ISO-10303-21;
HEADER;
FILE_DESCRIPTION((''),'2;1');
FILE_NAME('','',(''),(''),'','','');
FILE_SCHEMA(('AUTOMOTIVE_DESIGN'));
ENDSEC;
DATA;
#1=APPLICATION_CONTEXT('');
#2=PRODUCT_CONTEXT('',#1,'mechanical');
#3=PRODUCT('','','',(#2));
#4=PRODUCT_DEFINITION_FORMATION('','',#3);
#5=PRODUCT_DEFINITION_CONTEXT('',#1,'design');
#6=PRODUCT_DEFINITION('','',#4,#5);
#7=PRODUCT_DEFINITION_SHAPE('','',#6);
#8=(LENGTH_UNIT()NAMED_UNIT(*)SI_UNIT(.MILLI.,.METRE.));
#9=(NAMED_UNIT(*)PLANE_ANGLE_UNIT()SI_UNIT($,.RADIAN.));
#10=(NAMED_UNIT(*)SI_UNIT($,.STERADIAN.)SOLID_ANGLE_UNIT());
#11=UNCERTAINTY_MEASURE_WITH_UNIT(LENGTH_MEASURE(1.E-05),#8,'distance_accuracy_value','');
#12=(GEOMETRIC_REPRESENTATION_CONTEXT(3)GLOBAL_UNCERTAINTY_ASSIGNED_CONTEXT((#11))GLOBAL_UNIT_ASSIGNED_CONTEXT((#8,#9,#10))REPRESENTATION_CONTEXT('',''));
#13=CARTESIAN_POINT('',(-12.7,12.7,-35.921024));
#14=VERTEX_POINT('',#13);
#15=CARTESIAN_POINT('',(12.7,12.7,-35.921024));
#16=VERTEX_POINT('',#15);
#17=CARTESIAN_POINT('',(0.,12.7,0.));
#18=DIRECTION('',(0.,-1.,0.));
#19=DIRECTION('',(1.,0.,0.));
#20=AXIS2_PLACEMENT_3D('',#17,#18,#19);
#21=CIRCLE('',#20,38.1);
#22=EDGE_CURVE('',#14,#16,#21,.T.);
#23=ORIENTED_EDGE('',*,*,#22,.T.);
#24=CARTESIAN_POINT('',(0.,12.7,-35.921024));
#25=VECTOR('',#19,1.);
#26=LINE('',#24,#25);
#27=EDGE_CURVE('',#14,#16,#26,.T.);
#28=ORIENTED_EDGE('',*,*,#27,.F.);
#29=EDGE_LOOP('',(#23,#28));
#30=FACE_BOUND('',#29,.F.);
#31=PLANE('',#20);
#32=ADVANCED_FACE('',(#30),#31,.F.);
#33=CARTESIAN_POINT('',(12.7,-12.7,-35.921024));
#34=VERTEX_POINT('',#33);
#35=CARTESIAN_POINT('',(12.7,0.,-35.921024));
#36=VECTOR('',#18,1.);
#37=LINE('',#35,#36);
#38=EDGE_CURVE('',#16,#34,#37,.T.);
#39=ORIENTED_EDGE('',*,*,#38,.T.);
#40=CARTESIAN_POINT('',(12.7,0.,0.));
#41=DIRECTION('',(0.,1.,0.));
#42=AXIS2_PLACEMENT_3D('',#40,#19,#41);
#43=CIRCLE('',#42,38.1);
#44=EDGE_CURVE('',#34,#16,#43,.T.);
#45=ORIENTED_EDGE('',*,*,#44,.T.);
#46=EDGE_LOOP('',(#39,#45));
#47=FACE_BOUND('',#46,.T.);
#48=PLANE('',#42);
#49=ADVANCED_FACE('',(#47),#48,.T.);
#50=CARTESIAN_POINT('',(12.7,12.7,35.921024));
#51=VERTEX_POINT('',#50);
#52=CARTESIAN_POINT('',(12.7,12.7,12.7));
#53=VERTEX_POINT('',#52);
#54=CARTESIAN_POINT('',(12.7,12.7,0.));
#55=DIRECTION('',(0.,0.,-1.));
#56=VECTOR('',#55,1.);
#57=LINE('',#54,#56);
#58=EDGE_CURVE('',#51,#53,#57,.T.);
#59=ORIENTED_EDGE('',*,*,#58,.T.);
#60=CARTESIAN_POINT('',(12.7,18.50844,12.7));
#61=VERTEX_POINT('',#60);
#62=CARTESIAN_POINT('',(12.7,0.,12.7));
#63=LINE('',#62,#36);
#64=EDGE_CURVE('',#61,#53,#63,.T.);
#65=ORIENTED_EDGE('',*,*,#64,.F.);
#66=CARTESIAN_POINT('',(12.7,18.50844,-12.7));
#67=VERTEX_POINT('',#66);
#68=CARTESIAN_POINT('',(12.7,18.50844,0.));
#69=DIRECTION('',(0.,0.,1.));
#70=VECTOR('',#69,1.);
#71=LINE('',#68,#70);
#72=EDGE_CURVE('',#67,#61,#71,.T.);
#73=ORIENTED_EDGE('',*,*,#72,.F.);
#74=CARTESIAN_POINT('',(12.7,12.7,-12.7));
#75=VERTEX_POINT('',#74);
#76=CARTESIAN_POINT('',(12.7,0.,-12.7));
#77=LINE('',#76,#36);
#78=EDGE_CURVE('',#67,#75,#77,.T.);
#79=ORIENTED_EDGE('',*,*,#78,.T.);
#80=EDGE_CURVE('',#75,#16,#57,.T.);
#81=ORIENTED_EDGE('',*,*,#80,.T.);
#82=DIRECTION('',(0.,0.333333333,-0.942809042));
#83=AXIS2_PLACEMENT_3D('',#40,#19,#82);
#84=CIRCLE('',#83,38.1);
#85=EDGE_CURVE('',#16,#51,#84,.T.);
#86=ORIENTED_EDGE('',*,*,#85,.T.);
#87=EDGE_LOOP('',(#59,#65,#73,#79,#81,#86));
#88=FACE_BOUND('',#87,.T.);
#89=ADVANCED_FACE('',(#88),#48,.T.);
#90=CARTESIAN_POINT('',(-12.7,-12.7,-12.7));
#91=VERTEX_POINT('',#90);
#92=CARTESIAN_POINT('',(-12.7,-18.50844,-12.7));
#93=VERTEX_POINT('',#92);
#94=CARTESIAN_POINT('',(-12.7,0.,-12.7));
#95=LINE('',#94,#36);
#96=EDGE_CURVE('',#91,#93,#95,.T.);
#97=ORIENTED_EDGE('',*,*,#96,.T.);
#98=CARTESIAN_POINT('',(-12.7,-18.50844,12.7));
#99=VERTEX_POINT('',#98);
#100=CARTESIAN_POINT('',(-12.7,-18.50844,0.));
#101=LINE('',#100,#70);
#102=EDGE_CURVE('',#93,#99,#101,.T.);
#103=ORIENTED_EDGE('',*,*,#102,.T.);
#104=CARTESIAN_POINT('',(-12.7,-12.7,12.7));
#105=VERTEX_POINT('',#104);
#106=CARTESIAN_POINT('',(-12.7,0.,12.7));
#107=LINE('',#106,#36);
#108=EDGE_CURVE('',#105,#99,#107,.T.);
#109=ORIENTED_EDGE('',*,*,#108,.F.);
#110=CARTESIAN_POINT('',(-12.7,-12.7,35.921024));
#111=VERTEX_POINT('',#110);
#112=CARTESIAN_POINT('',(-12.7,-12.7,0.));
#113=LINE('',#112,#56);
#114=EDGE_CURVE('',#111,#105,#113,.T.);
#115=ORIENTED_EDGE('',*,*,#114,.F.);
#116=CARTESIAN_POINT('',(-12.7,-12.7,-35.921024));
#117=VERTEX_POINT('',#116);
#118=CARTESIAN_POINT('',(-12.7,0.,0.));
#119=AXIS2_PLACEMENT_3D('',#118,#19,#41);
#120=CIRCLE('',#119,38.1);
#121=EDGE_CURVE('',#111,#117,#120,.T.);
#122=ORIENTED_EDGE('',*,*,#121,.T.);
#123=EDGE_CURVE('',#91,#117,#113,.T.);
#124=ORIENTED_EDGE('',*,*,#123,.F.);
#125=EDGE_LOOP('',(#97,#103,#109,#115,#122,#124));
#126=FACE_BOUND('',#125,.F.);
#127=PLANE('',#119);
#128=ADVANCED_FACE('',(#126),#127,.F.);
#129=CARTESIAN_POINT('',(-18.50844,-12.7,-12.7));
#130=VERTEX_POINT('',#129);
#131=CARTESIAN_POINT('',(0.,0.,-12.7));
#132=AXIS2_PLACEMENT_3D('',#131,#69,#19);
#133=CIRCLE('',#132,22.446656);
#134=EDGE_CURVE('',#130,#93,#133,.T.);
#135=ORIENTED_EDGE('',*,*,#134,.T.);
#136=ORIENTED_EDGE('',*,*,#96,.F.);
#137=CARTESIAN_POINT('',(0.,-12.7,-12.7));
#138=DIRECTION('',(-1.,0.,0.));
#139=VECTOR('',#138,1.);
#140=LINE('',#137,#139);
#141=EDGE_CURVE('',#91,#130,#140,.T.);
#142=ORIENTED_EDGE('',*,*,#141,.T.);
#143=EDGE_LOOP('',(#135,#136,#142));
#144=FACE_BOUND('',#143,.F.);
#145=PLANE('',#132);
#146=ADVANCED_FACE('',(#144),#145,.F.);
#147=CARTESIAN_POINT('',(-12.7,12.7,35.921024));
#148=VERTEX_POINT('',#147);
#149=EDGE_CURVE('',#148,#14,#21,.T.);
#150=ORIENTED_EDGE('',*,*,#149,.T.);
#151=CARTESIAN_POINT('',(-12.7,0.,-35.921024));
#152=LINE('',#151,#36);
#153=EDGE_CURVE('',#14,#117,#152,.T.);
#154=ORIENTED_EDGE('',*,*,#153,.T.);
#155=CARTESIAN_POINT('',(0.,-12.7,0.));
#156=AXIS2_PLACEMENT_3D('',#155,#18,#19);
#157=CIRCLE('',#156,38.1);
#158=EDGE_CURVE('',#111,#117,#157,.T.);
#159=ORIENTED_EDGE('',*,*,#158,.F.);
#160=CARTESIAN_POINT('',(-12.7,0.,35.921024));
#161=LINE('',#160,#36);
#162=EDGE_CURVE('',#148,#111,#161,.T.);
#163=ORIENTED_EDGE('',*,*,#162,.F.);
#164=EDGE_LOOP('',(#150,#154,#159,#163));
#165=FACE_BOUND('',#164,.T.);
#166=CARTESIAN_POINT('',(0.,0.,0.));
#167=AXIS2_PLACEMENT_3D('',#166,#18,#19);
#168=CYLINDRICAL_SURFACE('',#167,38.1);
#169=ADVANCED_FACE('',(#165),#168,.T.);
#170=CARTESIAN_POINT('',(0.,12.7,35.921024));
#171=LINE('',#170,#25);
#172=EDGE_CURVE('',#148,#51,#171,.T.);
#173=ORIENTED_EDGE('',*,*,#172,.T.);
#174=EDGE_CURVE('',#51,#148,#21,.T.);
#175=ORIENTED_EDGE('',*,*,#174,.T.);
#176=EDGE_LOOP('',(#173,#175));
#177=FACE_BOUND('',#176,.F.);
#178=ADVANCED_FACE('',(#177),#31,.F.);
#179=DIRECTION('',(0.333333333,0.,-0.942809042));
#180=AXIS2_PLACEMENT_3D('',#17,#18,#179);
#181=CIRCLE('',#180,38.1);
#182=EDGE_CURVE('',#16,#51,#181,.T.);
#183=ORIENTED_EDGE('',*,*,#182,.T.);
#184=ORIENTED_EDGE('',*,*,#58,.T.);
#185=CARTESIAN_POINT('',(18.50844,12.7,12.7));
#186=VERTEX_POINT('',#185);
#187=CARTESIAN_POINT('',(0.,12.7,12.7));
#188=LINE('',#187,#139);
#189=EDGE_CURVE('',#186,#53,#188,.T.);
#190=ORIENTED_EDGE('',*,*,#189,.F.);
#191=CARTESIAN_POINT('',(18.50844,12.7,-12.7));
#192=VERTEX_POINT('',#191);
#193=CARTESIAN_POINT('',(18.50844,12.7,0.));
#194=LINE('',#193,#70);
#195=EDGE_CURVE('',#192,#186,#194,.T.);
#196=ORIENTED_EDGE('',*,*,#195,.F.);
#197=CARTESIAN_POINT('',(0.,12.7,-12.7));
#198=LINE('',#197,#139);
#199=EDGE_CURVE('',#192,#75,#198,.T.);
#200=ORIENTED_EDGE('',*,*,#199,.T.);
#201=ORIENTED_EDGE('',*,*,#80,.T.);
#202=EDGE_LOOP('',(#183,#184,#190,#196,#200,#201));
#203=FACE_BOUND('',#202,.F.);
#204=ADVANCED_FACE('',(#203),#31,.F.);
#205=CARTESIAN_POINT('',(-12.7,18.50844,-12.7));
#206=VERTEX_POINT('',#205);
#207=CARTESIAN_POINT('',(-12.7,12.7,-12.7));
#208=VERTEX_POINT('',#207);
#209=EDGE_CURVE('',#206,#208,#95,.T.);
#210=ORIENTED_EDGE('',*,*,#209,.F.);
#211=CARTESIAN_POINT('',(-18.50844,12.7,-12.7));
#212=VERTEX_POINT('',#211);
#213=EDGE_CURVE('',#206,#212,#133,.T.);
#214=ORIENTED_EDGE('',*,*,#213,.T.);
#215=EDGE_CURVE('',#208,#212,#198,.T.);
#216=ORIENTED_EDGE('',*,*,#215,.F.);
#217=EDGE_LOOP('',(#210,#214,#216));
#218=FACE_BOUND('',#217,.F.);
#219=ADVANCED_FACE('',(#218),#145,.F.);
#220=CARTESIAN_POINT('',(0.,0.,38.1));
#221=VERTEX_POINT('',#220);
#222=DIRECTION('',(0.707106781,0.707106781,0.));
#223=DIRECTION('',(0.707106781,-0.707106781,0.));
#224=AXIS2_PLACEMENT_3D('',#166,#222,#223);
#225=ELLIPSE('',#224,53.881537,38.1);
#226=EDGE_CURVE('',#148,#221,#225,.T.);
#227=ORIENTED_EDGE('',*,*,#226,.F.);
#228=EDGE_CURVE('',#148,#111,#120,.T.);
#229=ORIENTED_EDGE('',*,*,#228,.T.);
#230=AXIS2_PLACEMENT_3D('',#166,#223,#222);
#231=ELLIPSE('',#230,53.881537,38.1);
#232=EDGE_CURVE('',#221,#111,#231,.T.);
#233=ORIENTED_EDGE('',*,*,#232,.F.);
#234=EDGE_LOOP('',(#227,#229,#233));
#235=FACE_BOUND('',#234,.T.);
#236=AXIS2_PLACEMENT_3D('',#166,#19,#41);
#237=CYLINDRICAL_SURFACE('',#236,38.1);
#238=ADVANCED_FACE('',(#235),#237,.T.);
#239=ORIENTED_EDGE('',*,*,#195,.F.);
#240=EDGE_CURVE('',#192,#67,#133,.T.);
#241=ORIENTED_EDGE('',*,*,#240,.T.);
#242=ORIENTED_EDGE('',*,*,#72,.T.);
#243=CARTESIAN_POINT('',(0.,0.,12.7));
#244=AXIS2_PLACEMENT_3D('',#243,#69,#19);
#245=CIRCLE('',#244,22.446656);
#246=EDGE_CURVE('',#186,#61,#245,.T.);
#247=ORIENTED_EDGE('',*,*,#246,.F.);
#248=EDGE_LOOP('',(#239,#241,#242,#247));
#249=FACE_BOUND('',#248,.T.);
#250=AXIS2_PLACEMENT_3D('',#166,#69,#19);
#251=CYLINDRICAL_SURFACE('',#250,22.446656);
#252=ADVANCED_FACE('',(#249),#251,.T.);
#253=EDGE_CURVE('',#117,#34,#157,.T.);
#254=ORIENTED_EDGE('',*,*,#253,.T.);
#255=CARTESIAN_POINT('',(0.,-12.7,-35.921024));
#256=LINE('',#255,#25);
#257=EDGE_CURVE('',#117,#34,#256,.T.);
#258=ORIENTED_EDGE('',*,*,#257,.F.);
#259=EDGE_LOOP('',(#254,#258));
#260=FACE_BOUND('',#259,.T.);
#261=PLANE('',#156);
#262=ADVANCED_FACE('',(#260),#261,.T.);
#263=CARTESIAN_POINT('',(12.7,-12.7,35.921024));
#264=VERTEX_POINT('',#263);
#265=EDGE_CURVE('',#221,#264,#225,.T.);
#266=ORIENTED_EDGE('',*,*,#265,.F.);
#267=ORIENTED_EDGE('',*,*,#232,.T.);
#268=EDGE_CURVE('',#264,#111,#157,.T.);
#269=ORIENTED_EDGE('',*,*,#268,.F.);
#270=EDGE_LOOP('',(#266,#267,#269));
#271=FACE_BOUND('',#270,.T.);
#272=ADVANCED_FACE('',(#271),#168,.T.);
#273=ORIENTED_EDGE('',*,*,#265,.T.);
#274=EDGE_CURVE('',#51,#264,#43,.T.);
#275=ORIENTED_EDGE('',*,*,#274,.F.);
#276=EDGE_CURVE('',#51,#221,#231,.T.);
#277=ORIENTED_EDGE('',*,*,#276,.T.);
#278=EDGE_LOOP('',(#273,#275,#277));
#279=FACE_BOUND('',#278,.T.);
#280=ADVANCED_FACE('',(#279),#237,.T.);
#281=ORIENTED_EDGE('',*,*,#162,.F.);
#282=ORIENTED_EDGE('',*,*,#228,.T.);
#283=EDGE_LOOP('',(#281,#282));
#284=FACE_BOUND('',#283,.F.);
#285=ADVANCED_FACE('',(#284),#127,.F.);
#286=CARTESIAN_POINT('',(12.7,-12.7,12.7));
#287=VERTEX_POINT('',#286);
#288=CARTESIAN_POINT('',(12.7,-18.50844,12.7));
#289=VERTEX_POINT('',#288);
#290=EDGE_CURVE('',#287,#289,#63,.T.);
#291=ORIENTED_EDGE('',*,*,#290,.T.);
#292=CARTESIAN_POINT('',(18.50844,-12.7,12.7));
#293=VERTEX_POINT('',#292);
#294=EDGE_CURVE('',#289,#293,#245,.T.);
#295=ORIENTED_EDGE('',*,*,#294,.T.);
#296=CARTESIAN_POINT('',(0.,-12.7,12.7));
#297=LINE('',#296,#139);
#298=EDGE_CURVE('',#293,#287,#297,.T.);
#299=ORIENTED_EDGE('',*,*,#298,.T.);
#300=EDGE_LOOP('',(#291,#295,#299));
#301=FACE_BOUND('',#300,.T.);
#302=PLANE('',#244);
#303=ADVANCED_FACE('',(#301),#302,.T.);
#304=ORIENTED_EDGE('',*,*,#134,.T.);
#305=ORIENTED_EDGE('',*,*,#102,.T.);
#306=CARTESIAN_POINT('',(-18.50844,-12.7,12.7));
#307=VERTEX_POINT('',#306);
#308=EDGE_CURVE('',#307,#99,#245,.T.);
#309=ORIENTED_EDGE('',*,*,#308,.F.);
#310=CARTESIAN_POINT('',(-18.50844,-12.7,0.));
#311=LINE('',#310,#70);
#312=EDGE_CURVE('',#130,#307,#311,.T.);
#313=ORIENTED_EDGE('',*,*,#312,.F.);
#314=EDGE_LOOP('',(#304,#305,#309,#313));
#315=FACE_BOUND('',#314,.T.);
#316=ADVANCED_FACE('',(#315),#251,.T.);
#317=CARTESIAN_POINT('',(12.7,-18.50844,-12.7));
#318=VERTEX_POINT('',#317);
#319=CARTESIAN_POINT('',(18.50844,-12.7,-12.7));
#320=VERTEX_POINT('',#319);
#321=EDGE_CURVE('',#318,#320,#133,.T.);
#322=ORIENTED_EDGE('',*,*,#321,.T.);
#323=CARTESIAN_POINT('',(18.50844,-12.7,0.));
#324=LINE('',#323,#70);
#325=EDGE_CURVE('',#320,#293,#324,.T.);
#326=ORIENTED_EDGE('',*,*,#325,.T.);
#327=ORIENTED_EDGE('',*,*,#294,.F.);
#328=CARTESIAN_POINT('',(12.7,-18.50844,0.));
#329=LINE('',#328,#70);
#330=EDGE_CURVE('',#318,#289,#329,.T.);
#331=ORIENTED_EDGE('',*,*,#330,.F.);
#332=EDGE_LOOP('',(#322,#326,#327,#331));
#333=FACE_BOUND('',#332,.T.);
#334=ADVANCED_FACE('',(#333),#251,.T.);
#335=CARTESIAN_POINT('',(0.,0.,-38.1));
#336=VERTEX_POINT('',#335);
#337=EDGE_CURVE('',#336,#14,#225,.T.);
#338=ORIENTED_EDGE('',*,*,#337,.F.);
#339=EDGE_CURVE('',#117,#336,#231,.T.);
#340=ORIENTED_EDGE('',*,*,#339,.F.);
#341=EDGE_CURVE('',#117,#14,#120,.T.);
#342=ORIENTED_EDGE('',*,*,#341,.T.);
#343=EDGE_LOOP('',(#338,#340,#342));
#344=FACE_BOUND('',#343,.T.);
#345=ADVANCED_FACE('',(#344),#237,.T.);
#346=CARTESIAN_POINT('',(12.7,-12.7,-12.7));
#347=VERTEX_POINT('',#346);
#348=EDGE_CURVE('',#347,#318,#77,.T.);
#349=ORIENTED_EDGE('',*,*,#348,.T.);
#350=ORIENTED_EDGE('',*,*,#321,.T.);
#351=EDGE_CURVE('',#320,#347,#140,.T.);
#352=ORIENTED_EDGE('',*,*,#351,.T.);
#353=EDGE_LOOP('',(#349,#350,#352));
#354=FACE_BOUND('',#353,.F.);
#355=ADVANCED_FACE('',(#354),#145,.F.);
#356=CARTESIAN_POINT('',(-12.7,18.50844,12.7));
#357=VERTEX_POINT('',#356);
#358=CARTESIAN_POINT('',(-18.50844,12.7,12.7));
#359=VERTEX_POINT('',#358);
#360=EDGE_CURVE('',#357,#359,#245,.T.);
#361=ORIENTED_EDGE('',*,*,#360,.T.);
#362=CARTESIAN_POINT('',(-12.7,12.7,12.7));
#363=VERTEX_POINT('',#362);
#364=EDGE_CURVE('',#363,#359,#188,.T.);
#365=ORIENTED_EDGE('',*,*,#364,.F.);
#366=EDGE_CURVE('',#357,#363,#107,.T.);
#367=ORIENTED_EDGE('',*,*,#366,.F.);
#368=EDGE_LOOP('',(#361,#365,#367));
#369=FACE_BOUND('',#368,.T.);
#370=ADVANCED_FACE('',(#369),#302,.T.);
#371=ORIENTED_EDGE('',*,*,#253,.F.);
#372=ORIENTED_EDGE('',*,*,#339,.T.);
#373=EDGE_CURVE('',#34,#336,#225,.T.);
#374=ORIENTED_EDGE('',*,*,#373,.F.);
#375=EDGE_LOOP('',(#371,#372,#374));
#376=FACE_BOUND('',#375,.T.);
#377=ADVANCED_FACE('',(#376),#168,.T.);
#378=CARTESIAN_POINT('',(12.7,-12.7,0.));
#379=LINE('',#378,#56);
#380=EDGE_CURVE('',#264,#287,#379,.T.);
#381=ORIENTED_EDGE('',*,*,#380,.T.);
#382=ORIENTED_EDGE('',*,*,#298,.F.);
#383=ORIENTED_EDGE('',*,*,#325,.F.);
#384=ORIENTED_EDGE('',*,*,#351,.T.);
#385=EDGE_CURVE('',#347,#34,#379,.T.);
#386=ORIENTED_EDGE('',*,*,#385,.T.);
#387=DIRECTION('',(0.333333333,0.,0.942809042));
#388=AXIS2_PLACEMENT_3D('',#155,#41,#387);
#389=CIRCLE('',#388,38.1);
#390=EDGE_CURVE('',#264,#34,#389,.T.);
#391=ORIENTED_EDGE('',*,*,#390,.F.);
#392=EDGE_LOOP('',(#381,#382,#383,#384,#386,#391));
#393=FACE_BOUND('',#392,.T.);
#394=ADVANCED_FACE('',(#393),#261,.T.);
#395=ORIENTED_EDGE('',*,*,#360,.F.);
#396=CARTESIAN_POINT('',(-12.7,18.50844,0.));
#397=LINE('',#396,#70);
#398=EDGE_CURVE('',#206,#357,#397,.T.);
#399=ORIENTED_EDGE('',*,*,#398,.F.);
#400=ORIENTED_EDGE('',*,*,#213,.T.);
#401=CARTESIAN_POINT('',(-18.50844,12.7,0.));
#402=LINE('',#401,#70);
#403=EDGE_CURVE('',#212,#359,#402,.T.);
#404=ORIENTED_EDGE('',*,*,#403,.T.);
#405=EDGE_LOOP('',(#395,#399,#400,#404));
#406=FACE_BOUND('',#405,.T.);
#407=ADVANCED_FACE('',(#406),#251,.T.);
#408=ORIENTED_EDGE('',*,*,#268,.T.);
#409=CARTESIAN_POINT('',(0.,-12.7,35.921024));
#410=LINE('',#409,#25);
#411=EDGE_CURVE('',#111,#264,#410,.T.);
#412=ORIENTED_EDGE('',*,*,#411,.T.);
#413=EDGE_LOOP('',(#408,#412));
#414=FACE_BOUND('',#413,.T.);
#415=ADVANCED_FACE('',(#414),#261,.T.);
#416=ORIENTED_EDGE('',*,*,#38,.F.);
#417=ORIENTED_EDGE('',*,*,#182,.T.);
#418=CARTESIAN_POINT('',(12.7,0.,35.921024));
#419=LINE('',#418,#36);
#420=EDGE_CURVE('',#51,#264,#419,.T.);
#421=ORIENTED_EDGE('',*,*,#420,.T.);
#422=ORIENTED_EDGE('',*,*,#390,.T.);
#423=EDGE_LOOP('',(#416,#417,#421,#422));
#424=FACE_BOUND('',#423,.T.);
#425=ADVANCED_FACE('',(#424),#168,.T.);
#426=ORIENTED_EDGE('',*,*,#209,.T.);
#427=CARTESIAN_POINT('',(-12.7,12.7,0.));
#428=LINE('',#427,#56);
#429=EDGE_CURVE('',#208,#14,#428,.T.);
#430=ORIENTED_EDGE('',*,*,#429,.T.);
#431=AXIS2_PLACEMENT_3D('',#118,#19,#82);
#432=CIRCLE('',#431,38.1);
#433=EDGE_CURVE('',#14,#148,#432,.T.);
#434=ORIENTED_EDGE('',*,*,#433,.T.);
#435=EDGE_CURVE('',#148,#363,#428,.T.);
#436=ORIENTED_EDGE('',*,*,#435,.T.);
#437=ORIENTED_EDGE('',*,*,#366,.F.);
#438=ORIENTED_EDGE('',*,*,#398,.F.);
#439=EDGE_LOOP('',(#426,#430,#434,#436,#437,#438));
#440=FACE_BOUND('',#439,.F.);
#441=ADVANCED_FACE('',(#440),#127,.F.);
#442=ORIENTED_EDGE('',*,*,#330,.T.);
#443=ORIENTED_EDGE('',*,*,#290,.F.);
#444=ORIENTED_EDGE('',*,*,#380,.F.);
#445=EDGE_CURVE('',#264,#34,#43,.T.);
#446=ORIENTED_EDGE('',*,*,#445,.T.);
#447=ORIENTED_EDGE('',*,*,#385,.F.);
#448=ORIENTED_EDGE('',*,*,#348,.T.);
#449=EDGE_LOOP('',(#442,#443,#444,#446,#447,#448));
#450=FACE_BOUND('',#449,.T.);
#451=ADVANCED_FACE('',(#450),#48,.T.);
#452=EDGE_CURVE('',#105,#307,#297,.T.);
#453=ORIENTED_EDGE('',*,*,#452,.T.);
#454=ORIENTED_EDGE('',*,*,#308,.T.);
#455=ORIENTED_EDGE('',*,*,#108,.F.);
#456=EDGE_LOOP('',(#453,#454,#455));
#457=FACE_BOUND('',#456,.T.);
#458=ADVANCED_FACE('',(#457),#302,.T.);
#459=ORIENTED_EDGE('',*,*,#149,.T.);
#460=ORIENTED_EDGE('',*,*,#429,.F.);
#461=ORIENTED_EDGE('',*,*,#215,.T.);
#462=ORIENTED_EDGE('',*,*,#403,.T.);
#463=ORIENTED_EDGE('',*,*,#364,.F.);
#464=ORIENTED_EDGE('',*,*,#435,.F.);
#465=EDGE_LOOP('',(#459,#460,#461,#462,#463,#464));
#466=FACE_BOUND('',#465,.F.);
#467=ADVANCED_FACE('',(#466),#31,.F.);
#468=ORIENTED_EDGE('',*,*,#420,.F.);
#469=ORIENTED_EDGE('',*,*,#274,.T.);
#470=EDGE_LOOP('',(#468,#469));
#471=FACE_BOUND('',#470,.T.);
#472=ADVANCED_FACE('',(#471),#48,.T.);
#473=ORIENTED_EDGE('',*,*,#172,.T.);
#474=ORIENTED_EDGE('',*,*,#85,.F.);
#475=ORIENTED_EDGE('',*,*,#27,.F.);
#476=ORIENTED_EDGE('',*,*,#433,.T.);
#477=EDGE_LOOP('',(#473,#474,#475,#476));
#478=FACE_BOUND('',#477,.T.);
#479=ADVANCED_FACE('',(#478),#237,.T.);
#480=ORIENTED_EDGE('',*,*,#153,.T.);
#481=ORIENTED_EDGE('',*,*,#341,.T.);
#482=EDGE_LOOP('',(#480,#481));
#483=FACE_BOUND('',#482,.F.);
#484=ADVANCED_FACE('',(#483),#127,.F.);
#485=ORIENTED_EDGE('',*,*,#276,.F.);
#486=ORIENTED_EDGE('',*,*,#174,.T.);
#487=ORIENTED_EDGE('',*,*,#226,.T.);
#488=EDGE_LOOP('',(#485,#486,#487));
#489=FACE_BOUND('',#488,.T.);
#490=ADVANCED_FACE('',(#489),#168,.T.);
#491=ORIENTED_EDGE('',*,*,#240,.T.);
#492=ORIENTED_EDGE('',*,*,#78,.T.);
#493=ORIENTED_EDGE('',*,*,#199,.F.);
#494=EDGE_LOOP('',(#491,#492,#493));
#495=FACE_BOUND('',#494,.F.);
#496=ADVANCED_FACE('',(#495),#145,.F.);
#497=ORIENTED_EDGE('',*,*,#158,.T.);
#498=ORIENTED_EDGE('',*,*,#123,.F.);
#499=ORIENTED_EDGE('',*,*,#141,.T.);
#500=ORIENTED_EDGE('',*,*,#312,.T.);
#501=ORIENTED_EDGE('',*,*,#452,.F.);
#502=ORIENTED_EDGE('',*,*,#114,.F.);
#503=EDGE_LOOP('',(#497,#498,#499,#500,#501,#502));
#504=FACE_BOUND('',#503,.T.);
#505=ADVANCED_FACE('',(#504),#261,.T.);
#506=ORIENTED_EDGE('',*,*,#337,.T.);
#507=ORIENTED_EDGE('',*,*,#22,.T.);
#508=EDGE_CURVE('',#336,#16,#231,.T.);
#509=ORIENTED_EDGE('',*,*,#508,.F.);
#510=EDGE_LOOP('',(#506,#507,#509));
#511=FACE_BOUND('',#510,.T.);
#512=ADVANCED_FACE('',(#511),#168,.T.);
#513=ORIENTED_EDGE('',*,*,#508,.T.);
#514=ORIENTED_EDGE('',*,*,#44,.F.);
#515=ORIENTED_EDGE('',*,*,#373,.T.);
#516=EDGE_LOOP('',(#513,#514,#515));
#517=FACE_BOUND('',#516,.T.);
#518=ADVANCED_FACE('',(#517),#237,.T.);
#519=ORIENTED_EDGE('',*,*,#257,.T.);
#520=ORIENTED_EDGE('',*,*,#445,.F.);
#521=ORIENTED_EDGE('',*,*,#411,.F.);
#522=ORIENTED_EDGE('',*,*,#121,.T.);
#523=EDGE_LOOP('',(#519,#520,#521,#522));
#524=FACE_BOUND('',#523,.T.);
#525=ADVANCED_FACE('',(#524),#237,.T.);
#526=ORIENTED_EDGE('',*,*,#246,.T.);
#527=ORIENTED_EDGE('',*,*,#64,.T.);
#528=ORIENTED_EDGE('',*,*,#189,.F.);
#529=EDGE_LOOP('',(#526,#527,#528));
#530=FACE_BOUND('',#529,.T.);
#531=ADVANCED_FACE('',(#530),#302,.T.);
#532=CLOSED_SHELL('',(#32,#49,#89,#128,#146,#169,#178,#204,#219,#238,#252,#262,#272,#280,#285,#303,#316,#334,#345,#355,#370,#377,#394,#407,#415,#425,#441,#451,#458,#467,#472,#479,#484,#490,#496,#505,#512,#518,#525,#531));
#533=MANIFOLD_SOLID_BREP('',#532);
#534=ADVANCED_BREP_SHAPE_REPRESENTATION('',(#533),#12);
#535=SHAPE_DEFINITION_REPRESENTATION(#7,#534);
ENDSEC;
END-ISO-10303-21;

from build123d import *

# Parameters (mm, degrees)
F2_R     = 38.1
F3_DEPTH = 12.7
F1_R     = 38.1
F4_DEPTH = 12.7
F0_R     = 22.446656
F5_DEPTH = 12.7


with BuildPart() as f3:
    # F2 (on Right) → F3 (new body, symmetric)
    with BuildSketch(Plane.YZ):
        Circle(F2_R)
    extrude(amount=F3_DEPTH, both=True)

    # F1 (on Front) → F4 (join, symmetric)
    with BuildSketch(Plane.XZ):
        Circle(F1_R)
    extrude(amount=F4_DEPTH, both=True)

    # F0 (on Top) → F5 (join, symmetric)
    with BuildSketch(Plane.XY):
        Circle(F0_R)
    extrude(amount=F5_DEPTH, both=True)


solid = f3.part
